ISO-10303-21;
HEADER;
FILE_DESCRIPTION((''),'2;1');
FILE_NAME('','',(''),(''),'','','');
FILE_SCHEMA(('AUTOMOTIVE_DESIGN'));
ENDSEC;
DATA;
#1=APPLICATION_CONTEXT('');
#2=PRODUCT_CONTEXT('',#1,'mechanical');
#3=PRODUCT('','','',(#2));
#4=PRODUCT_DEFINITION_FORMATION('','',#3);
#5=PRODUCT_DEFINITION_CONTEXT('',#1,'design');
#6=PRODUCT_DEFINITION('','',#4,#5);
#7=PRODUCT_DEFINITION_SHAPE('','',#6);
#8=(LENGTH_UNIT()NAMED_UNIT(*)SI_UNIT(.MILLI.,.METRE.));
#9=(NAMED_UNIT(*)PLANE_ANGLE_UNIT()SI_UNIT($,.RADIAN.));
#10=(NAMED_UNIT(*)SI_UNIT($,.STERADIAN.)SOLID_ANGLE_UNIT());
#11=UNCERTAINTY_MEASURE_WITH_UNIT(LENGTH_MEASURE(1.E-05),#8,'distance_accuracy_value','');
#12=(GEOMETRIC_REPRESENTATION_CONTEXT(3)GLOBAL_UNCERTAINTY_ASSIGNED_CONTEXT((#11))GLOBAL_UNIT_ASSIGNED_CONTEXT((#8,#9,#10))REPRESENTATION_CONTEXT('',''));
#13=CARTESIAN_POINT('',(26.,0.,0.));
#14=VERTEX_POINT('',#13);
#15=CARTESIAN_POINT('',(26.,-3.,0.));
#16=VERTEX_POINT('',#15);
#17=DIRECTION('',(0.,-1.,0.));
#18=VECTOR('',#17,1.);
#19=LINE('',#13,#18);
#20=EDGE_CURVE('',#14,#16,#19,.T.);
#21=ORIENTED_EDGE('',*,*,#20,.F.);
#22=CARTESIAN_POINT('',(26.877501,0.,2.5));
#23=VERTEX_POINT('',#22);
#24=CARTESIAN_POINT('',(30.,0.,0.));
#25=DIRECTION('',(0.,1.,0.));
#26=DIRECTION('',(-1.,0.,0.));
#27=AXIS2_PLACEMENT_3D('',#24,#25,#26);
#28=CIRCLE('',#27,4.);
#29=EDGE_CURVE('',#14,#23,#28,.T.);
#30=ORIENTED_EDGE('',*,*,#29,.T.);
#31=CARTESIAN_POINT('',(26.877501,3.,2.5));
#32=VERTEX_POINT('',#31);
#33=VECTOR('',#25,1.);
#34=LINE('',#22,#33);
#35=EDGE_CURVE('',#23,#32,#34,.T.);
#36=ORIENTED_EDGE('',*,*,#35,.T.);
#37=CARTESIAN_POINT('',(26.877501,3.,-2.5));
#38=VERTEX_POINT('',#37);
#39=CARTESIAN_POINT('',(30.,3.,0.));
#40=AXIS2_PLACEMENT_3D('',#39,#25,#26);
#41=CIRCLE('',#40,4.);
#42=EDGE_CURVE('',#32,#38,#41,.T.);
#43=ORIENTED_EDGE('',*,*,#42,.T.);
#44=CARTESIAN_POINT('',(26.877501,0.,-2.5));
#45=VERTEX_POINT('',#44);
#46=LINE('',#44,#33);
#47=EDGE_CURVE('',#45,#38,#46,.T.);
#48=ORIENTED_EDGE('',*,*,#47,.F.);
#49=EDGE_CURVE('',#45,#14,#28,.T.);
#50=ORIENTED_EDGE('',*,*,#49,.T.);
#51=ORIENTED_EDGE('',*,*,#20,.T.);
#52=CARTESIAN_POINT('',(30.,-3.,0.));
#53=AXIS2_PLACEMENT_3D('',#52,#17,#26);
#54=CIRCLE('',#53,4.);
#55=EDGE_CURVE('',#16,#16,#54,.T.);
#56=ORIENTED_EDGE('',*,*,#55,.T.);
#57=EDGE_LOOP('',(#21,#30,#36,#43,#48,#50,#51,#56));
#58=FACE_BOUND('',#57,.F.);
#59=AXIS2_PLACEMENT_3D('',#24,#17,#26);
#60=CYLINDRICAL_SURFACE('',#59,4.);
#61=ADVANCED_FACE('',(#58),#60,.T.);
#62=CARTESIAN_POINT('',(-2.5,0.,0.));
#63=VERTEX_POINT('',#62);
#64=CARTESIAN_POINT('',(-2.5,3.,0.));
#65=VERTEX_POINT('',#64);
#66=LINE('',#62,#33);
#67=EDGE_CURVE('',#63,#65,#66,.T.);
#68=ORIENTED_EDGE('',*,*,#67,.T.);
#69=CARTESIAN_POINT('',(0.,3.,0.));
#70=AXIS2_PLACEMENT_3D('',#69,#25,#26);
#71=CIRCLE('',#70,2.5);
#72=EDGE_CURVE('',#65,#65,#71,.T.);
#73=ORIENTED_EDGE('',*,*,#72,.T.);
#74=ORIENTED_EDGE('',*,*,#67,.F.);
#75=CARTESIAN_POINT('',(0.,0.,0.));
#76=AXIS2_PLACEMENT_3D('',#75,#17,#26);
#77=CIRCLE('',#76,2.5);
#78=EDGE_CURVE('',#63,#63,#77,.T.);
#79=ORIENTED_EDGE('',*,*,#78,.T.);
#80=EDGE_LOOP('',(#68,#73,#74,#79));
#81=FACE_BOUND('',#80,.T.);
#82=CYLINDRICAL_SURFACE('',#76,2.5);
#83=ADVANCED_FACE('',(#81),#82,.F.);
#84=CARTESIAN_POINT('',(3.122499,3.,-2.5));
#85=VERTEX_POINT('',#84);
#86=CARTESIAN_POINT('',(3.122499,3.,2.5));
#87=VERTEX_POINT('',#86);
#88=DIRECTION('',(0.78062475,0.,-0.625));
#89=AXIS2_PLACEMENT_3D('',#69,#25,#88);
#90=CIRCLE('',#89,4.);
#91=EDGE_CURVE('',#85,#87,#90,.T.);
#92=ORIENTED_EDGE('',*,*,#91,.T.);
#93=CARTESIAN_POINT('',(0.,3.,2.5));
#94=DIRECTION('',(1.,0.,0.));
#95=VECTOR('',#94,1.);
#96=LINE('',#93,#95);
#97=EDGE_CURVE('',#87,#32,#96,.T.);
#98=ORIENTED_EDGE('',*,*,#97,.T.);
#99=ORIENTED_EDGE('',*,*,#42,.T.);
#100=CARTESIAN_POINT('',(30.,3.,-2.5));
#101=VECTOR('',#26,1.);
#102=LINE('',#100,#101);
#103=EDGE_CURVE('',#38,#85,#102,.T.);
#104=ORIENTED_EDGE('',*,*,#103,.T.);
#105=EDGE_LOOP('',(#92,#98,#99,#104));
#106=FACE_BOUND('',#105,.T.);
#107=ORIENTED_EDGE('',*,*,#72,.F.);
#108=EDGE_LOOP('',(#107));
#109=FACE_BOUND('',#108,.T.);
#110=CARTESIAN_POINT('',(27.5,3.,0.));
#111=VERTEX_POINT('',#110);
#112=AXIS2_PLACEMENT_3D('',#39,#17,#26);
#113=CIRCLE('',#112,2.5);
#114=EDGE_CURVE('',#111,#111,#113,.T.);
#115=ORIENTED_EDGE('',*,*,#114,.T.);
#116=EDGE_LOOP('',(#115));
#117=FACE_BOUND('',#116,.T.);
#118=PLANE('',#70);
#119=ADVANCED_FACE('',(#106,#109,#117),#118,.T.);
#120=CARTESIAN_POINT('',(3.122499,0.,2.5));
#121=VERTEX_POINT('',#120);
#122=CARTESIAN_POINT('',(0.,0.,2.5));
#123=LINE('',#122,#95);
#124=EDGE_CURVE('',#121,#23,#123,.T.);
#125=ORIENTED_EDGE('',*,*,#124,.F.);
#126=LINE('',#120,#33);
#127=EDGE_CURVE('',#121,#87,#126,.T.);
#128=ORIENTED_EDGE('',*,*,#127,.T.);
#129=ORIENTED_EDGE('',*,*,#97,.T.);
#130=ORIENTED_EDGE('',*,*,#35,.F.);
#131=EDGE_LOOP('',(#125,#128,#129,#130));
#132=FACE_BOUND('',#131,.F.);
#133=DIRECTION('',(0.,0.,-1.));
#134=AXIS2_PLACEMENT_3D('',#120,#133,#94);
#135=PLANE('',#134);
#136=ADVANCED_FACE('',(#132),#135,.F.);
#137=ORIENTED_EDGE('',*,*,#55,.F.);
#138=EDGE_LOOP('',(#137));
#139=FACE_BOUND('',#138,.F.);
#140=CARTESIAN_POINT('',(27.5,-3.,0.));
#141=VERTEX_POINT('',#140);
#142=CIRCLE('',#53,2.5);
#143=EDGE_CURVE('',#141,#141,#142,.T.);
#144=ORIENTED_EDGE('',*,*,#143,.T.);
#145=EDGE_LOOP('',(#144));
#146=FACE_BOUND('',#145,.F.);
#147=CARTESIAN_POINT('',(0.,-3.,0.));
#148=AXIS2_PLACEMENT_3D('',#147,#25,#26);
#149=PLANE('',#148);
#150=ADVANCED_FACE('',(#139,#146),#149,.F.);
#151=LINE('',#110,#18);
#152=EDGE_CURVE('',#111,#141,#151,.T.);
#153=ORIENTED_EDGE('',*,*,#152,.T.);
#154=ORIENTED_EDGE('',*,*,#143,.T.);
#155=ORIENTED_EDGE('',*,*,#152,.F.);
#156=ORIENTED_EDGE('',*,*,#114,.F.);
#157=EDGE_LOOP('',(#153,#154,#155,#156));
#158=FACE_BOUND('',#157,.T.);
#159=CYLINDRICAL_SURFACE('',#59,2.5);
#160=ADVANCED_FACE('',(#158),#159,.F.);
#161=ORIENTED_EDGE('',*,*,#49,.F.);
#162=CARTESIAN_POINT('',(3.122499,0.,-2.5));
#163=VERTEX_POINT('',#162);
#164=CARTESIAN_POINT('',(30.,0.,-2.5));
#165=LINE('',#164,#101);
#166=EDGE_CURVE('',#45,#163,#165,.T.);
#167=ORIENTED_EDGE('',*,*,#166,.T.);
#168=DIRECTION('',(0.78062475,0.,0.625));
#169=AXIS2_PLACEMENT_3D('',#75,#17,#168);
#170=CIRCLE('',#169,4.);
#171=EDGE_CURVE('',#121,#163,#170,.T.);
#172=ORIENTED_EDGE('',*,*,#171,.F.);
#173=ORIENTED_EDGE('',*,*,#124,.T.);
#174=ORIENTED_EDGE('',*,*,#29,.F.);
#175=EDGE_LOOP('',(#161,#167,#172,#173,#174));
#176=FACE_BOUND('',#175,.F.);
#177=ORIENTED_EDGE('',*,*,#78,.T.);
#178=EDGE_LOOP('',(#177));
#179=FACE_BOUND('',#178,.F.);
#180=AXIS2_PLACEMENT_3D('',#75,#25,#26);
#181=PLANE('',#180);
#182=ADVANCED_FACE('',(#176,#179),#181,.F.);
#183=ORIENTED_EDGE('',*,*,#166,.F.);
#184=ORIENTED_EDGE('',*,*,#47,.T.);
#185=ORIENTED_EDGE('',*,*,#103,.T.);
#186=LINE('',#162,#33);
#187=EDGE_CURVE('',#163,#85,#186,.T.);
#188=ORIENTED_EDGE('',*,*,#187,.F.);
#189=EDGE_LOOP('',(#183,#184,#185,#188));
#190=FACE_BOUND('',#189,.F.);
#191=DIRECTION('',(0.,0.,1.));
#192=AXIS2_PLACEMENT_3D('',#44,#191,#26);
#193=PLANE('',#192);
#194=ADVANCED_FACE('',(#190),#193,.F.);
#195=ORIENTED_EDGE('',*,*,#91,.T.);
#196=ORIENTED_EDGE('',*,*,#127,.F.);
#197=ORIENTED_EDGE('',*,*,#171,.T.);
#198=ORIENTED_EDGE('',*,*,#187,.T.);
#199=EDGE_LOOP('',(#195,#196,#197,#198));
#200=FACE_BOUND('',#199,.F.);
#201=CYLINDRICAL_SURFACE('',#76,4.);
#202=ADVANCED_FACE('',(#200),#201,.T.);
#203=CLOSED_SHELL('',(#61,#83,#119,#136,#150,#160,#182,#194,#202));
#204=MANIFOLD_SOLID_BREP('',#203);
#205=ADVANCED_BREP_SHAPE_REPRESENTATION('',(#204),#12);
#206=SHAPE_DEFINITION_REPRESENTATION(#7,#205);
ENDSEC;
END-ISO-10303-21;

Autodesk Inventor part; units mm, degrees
ref_plane "YZ Plane" through (0, 0, 0) normal (1, 0, 0) x (0, 1, 0)
ref_plane "XZ Plane" through (0, 0, 0) normal (0, 1, 0) x (-1, 0, 0)
ref_plane "XY Plane" through (0, 0, 0) normal (0, 0, 1) x (1, 0, 0)
sketch "Sketch1" plane through (0, 0, 0) normal (0, 1, 0) x (-1, 0, 0)
  circle A0 centre (0, 0) radius 2.5
  circle A1 centre (0, 0) radius 4
  circle A2 centre (-30, 0) radius 2.5
  circle A3 centre (-30, 0) radius 4
  line L0 (0, 2.5) -> (-30, 2.5)
  line L1 (-30, 2.5) -> (-30, -2.5)
  line L2 (-30, -2.5) -> (0, -2.5)
  line L3 (0, -2.5) -> (0, 2.5)
  point P0 (-3.4641, 2)
  point P1 (-26.5359, 2)
  point P2 (-26.5359, -2)
  point P3 (-3.4641, -2)
  point P4 (-27.2006, 2.8571)
  point P5 (-2.7994, 2.8571)
  point P6 (-2.7994, -2.8571)
  point P7 (-27.2006, -2.8571)
  point P8 (-26.8775, -2.5)
  point P9 (-3.1225, -2.5)
  point P10 (-3.1225, 2.5)
  point P11 (-26.8775, 2.5)
  dimension "d0" = 5
  dimension "d2" = 5
  dimension "d1" = 8
  dimension "d3" = 8
  dimension "d4" = 30
extrude "Extrusion1" add sketch "Sketch1" along normal blind 3 contours A0 L0 A1 L2 | A0 L2 A1 L0 | A1 L2 A3 L0 | L0 A2 L2 A3 | A3 L2 A2 L0
extrude "Extrusion2" add sketch "Sketch1" against normal blind 3 contours L0 A2 L2 A3 | A3 L2 A2 L0
properties part number "Arm Link_3DPrint"
